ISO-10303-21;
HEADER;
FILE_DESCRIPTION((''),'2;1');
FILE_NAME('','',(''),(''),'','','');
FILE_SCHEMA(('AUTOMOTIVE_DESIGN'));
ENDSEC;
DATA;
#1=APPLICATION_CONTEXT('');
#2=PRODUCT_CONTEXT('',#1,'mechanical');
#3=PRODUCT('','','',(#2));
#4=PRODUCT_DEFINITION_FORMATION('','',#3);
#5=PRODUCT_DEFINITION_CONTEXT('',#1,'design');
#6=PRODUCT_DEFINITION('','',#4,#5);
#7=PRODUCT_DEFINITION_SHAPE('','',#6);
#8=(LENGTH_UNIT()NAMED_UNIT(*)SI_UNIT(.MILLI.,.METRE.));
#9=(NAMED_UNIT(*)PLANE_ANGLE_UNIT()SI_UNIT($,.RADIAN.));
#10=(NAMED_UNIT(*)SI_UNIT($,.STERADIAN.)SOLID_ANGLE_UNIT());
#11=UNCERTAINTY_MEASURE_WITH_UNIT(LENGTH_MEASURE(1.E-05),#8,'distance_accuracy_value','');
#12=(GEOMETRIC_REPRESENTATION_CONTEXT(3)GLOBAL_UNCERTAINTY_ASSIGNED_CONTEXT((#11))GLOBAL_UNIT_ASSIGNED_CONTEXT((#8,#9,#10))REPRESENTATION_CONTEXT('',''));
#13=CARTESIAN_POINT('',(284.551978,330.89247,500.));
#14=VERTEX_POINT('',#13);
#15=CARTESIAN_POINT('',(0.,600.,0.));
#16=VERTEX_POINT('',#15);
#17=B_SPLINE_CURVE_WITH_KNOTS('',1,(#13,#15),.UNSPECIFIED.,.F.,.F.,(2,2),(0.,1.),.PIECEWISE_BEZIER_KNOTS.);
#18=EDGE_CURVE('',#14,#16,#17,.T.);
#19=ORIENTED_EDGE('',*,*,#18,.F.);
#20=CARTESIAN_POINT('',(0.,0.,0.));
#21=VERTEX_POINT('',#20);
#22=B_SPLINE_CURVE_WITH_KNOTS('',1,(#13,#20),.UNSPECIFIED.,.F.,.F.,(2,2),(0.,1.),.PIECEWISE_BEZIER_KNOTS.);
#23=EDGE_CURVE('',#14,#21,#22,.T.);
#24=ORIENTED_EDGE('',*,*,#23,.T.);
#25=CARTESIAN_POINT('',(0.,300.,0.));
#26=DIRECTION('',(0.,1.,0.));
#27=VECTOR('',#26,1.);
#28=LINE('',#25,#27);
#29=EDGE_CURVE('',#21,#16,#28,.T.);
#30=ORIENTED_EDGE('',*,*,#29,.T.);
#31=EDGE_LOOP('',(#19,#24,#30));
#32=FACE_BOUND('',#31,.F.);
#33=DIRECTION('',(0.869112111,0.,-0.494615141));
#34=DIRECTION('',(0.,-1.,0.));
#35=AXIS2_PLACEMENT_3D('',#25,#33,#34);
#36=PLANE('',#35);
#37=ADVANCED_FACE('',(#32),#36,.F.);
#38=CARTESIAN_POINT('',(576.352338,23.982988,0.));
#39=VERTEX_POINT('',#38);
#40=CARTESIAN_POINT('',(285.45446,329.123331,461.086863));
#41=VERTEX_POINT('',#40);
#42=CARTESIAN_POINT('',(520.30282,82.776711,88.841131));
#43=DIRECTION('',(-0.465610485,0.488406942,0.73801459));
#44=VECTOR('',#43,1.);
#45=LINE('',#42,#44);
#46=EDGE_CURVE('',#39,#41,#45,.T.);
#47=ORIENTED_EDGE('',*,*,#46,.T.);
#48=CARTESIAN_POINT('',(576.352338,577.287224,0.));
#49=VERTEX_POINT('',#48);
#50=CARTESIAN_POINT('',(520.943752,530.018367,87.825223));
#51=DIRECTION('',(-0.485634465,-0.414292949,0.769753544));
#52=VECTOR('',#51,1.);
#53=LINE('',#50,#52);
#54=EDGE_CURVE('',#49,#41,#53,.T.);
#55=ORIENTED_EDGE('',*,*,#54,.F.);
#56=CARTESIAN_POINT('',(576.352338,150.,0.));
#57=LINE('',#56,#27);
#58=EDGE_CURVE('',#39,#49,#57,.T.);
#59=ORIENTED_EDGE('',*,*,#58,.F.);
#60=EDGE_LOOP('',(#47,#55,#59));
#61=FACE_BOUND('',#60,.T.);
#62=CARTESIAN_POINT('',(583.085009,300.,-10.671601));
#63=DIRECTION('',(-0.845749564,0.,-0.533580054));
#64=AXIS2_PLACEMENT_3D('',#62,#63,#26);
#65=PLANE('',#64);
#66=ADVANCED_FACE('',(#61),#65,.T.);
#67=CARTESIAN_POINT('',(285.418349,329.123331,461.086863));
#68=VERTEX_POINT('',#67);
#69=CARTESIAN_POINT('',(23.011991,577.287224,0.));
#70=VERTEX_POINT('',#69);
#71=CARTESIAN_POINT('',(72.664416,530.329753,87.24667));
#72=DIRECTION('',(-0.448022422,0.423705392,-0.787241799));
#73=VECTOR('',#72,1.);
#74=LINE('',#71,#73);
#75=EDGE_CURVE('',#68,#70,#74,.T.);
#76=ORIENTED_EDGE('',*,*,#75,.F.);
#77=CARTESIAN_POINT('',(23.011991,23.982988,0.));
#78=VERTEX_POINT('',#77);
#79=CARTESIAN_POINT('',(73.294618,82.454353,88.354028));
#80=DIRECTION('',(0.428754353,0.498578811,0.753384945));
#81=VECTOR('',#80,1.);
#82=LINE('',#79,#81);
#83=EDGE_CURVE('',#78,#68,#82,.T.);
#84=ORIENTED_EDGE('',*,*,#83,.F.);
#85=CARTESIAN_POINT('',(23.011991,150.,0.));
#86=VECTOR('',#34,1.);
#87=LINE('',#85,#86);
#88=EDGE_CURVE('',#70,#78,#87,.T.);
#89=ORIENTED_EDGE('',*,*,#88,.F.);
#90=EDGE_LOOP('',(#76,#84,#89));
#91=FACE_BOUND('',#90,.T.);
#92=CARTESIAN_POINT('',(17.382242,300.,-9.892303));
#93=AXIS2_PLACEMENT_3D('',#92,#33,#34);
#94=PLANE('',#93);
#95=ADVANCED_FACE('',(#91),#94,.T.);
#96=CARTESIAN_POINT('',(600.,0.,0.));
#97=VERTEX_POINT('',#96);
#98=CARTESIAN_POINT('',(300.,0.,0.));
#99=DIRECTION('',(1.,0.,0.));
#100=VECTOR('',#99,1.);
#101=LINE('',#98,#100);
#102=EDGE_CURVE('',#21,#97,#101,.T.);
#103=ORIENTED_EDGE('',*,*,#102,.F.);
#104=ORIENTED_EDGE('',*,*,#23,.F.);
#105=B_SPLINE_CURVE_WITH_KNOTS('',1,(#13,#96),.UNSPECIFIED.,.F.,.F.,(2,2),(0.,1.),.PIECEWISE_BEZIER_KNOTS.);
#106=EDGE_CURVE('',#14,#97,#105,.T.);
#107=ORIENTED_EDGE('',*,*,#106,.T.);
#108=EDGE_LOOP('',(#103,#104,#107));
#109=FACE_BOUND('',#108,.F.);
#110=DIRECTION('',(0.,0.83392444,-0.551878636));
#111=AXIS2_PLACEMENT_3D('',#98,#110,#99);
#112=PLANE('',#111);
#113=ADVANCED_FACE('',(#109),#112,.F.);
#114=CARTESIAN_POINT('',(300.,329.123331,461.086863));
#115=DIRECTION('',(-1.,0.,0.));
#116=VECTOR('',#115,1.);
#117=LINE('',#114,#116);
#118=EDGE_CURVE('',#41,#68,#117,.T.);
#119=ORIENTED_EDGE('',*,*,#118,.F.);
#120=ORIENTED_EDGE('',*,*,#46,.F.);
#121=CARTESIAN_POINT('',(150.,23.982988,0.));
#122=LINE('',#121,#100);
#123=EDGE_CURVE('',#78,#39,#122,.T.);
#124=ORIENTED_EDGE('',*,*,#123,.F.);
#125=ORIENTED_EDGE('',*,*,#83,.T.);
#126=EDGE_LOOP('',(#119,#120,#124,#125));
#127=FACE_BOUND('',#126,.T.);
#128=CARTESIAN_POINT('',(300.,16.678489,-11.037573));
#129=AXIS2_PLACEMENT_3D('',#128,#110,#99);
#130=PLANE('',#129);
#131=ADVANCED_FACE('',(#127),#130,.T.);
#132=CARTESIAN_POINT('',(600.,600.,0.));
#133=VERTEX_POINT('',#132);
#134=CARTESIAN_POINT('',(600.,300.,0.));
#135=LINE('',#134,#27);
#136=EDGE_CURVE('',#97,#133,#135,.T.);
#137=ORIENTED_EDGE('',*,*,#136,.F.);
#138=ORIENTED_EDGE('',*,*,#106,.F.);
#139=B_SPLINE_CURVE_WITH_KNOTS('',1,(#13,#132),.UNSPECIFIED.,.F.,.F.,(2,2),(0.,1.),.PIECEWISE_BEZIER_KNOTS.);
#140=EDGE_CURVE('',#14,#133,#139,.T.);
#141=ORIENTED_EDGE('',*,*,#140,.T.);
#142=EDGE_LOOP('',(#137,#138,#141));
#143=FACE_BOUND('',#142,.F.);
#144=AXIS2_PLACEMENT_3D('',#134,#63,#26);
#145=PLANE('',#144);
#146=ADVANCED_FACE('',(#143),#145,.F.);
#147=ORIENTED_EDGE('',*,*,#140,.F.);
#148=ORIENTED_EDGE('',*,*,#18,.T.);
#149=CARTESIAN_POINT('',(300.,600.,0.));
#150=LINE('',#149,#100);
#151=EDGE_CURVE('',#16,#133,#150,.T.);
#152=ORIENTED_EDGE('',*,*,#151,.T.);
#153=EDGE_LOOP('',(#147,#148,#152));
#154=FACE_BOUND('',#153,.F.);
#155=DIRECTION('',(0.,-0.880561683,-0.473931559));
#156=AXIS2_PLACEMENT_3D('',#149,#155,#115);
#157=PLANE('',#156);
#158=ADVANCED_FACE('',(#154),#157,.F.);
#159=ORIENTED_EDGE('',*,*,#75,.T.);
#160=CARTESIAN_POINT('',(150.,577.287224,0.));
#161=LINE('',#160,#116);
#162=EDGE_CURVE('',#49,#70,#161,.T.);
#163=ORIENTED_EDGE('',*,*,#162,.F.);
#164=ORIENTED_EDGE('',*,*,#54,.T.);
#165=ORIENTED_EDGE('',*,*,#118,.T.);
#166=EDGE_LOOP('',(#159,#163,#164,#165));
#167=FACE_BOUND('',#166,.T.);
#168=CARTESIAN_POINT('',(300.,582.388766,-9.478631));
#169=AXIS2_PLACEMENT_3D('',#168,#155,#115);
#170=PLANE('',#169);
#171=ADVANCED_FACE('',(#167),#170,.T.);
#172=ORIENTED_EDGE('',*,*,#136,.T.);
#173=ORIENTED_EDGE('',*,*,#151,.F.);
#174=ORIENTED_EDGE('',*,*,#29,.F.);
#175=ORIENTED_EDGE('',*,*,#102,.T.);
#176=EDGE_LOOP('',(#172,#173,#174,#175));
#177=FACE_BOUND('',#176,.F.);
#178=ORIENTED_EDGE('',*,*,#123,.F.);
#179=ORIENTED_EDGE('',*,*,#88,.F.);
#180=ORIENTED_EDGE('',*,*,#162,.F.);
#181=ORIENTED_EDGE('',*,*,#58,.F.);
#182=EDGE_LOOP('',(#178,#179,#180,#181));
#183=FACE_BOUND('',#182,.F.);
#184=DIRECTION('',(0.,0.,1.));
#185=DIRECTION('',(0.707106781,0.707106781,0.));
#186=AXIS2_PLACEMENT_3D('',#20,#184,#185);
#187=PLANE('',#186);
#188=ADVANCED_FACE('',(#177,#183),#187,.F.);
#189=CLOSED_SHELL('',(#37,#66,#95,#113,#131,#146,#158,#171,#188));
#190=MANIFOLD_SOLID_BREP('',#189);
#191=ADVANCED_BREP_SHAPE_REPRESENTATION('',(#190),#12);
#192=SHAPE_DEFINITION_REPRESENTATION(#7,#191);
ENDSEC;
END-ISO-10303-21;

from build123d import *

# Parameters (mm, degrees)
F0_W = 600
F0_H = 600
F4_T = -20


with BuildPart() as f3:
    # F0 (on Top) → F3 section 0
    with BuildSketch(Plane.XY, mode=Mode.PRIVATE) as f3_s0:
        with Locations((300, 300)):
            Rectangle(F0_W, F0_H)
    loft([Vertex(284.5519781113, 330.8924702069, 500), f3_s0.sketch])

    # F4
    f4_openings = [f3.faces().sort_by_distance(p)[0] for p in [
        (300, 300, 0),
    ]]
    offset(amount=F4_T, openings=f4_openings)


solid = f3.part
